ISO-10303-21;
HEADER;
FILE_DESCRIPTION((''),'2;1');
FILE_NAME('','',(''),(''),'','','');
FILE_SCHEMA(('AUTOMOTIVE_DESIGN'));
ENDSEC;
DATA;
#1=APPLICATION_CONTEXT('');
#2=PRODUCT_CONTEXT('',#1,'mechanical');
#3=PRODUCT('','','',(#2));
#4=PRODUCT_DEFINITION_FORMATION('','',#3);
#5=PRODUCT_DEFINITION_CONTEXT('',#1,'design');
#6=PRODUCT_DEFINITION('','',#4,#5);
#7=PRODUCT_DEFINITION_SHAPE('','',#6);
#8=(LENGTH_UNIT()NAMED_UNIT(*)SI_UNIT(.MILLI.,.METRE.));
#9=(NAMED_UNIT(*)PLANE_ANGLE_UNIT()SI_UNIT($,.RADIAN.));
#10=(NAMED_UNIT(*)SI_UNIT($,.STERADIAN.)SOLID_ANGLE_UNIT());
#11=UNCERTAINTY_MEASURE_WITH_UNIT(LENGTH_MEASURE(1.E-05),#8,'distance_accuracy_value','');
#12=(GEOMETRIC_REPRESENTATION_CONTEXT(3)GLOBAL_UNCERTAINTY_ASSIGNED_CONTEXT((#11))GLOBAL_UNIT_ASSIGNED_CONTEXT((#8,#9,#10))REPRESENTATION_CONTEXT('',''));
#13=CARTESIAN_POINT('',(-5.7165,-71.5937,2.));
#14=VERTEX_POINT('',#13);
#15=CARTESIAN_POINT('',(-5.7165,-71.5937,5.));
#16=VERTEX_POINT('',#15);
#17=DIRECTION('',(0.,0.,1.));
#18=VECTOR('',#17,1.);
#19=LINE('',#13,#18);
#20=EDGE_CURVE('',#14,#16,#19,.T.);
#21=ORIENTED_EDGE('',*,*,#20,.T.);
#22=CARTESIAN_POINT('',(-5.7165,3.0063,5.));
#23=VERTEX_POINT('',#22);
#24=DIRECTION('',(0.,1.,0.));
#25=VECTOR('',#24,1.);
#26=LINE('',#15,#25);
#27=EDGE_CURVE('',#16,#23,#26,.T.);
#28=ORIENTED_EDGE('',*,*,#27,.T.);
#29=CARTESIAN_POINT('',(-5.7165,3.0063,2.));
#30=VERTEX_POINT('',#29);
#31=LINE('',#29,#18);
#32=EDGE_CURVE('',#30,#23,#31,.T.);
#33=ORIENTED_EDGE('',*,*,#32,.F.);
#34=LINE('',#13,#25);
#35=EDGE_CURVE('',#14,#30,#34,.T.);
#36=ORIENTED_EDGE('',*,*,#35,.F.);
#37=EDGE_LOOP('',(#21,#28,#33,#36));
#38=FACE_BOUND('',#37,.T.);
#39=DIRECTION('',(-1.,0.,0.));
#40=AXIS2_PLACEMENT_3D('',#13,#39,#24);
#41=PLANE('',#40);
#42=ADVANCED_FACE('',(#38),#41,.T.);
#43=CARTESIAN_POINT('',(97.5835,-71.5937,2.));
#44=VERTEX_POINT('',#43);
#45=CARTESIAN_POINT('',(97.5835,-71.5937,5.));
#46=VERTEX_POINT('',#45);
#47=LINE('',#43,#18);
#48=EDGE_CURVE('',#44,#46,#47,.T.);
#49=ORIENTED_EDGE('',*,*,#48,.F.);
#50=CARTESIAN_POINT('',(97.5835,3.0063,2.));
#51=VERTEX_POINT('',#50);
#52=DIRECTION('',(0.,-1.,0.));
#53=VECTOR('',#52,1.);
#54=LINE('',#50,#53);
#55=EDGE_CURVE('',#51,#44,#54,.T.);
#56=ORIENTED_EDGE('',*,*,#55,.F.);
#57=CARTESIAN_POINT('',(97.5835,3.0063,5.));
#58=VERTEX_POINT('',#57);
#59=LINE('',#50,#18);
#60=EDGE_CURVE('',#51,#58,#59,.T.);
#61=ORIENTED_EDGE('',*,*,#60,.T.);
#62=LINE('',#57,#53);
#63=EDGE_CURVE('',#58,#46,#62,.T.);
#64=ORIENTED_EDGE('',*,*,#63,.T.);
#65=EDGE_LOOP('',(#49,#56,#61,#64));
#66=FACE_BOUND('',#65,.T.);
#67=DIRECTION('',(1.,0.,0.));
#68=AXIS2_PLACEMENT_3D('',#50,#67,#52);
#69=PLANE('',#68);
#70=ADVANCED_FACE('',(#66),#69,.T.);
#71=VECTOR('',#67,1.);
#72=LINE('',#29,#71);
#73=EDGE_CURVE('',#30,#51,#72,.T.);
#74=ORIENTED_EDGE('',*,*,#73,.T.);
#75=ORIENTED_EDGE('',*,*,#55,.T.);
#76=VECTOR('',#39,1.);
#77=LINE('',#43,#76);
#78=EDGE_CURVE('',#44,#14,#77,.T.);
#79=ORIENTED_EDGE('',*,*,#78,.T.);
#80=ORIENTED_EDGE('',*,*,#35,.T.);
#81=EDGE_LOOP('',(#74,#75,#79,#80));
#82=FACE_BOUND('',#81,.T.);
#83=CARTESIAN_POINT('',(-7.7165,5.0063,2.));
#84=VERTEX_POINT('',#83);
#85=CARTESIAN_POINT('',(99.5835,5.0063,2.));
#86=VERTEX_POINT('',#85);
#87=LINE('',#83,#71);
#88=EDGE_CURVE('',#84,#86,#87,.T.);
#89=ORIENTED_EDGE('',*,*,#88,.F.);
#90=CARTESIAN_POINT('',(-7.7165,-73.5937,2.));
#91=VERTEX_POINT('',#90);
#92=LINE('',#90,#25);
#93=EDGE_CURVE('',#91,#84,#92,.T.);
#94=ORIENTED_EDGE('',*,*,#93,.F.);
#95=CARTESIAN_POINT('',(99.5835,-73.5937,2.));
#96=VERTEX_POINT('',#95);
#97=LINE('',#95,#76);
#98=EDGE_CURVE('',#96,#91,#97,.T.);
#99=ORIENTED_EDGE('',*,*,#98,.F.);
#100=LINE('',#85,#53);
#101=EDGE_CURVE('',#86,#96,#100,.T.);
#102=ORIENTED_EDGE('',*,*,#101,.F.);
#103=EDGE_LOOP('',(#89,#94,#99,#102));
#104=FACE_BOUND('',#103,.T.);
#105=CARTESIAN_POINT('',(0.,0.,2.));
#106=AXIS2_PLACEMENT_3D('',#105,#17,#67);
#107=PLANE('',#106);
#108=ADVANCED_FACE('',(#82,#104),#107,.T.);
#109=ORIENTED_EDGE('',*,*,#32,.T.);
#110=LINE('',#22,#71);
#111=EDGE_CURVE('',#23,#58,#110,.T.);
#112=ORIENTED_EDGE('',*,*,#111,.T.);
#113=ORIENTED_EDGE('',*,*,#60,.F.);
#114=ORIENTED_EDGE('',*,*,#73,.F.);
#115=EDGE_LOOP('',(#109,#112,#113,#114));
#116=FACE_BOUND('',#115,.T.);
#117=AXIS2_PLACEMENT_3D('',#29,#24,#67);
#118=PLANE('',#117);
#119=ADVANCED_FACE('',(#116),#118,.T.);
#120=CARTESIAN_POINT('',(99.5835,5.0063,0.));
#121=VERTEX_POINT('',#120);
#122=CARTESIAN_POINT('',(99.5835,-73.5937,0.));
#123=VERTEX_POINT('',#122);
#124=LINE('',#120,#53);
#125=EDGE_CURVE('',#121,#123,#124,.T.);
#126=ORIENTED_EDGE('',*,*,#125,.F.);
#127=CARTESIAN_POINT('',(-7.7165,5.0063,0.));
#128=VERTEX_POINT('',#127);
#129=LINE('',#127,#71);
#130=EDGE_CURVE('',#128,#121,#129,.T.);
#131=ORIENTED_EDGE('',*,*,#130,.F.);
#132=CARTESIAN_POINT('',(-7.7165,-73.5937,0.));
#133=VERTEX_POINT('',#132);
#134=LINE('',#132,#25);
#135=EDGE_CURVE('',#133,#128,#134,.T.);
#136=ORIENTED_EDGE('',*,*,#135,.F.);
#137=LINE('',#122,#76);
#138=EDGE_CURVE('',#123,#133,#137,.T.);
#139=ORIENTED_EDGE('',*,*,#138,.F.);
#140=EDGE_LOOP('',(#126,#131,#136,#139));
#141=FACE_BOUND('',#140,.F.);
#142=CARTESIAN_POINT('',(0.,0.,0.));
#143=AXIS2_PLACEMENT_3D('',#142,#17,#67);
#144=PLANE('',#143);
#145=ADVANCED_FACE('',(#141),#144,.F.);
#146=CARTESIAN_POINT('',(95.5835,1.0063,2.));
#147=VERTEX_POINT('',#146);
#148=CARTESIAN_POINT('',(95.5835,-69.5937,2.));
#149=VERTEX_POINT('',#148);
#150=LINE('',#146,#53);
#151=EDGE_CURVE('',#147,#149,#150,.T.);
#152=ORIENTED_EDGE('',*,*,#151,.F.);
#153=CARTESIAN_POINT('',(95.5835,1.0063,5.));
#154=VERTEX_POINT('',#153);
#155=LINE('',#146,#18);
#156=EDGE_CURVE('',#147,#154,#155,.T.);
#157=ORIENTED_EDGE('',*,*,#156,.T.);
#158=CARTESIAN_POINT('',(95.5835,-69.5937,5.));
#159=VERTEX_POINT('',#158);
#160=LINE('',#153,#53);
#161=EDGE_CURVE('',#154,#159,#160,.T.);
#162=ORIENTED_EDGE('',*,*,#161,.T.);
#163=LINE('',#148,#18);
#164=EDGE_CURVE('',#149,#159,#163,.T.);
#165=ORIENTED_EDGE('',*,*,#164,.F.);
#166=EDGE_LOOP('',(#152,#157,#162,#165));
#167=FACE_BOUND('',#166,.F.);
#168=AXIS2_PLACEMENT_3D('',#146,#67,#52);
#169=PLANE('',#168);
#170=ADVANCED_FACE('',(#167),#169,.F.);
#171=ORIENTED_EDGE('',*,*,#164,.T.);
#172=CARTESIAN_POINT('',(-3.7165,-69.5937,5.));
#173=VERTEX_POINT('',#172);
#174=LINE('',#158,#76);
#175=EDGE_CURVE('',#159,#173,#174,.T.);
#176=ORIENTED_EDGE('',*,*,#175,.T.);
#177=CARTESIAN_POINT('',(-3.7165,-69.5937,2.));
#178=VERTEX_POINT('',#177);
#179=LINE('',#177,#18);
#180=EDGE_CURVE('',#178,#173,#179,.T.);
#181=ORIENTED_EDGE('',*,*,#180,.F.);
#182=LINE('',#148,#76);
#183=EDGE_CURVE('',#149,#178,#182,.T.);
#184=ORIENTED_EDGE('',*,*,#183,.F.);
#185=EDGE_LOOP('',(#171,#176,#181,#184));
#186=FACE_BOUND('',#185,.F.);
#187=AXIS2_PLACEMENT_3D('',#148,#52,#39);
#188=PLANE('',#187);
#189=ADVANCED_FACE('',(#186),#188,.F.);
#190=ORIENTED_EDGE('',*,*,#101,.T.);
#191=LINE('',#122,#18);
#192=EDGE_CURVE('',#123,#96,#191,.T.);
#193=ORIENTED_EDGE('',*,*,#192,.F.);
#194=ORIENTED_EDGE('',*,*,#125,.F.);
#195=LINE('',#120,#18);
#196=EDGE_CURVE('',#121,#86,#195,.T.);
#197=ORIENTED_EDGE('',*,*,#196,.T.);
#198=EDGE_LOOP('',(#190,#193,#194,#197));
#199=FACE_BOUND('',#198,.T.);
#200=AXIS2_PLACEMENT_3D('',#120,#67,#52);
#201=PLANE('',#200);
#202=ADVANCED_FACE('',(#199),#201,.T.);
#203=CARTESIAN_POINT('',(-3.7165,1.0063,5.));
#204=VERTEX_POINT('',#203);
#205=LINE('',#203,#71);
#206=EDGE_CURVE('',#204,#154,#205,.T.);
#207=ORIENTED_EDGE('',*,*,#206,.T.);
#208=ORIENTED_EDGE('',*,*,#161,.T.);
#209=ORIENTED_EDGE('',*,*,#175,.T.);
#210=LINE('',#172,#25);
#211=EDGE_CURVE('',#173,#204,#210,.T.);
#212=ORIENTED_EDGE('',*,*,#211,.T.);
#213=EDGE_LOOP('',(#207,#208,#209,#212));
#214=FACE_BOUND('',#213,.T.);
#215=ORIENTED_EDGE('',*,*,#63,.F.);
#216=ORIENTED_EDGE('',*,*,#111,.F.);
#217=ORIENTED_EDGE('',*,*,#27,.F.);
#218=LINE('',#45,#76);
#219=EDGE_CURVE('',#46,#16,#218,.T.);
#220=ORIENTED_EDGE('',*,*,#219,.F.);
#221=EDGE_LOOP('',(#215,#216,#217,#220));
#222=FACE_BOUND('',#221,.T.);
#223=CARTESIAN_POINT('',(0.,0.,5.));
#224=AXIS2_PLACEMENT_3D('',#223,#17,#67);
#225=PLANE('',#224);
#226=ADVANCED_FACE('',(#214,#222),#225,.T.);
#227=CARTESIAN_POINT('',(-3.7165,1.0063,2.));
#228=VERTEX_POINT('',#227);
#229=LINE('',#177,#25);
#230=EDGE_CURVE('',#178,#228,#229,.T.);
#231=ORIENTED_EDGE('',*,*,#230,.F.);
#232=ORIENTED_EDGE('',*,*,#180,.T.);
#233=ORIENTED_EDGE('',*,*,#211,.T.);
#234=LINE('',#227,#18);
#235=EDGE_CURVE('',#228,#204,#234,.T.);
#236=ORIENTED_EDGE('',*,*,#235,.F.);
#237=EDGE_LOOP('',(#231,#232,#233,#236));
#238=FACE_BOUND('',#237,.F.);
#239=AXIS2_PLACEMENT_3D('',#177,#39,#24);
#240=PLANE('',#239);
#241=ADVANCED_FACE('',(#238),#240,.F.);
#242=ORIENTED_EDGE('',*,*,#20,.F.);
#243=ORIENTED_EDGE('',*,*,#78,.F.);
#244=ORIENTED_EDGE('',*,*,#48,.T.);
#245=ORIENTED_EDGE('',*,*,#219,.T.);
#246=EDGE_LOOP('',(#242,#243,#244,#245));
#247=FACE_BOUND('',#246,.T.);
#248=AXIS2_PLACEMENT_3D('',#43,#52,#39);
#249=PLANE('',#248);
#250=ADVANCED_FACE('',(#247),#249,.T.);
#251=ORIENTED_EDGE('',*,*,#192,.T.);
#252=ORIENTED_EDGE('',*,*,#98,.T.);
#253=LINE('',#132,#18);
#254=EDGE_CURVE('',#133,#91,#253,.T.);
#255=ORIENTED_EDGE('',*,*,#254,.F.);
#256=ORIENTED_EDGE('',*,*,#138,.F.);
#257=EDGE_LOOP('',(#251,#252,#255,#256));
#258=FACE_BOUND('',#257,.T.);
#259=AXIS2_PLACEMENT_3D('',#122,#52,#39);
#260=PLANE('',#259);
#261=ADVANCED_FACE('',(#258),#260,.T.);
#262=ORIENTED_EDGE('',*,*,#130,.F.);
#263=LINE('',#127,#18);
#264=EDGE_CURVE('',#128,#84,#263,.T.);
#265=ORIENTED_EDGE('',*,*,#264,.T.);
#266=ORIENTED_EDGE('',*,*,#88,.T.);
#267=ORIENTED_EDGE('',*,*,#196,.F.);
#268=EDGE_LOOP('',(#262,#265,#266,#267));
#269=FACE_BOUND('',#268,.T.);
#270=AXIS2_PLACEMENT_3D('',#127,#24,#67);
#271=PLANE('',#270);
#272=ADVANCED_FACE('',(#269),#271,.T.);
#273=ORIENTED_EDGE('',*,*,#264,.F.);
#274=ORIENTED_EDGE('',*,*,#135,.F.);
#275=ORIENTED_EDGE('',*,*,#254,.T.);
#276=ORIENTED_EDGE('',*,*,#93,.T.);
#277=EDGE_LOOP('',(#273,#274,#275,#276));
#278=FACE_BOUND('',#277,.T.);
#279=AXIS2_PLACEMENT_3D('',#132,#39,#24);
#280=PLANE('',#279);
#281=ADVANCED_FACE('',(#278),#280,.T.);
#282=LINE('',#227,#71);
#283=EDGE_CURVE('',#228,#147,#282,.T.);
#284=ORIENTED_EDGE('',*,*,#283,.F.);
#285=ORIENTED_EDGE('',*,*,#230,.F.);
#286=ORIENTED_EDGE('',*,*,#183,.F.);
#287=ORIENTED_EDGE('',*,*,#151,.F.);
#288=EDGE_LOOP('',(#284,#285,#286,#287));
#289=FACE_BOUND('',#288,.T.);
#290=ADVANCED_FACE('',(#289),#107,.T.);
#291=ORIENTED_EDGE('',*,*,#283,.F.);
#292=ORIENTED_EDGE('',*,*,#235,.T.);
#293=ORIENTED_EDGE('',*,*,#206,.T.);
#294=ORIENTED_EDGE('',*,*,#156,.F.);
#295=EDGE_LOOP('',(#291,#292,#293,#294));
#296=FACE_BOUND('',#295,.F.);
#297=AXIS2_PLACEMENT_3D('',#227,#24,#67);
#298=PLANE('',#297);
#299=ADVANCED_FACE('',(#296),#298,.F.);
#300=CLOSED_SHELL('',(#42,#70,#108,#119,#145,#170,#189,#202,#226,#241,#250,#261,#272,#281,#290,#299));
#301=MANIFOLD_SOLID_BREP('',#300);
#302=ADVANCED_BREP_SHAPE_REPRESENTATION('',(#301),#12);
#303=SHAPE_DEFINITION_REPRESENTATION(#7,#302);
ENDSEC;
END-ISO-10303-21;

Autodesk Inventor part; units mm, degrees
ref_plane "YZ Plane" through (0, 0, 0) normal (1, 0, 0) x (0, 1, 0)
ref_plane "XZ Plane" through (0, 0, 0) normal (0, 1, 0) x (-1, 0, 0)
ref_plane "XY Plane" through (0, 0, 0) normal (0, 0, 1) x (1, 0, 0)
sketch "Sketch1" plane through (0, 0, 0) normal (0, 0, 1) x (1, 0, 0)
  line L0 (-7.7165, 5.0063) -> (99.5835, 5.0063)
  line L1 (99.5835, 5.0063) -> (99.5835, -73.5937)
  line L2 (99.5835, -73.5937) -> (-7.7165, -73.5937)
  line L3 (-7.7165, -73.5937) -> (-7.7165, 5.0063)
  point P0 (0, 0)
  dimension "d0" = 107.3
  dimension "d1" = 78.6
extrude "Extrusion1" add sketch "Sketch1" along normal blind 2
sketch "Sketch2" plane through (0, 0, 2) normal (0, 0, 1) x (1, 0, 0)
  line L0 (99.5835, 5.0063) -> (-7.7165, 5.0063) projected
  line L1 (-7.7165, 5.0063) -> (-7.7165, -73.5937) projected
  line L2 (-7.7165, -73.5937) -> (99.5835, -73.5937) projected
  line L3 (99.5835, -73.5937) -> (99.5835, 5.0063) projected
  line L4 (-5.7165, 3.0063) -> (97.5835, 3.0063)
  line L5 (97.5835, 3.0063) -> (97.5835, -71.5937)
  line L6 (97.5835, -71.5937) -> (-5.7165, -71.5937)
  line L7 (-5.7165, -71.5937) -> (-5.7165, 3.0063)
  line L8 (-3.7165, 1.0063) -> (95.5835, 1.0063)
  line L9 (95.5835, 1.0063) -> (95.5835, -69.5937)
  line L10 (95.5835, -69.5937) -> (-3.7165, -69.5937)
  line L11 (-3.7165, -69.5937) -> (-3.7165, 1.0063)
  line L12 (45.9335, 3.0063) -> (45.9335, 1.0063) construction
  line L13 (95.5835, -29.2) -> (97.5835, -29.2) construction
  line L14 (71.1302, 3.0063) -> (71.1302, 5.0063) construction
  line L15 (97.5835, -16.3714) -> (99.5835, -16.3714) construction
  line L16 (11.0323, -71.5937) -> (11.0323, -73.5937) construction
  line L17 (-5.7165, -42.5946) -> (-7.7165, -42.5946) construction
  line L18 (31.7844, -69.5937) -> (31.7844, -71.5937) construction
  line L19 (-3.7165, -29.2) -> (-5.7165, -29.2) construction
  point P0 (0, 0)
  dimension "d4" = 2
  dimension "d5" = 2
extrude "Extrusion2" add sketch "Sketch2" along normal blind 3 contours L4 L5 L6 L7
properties part number "Arduino box lid"
